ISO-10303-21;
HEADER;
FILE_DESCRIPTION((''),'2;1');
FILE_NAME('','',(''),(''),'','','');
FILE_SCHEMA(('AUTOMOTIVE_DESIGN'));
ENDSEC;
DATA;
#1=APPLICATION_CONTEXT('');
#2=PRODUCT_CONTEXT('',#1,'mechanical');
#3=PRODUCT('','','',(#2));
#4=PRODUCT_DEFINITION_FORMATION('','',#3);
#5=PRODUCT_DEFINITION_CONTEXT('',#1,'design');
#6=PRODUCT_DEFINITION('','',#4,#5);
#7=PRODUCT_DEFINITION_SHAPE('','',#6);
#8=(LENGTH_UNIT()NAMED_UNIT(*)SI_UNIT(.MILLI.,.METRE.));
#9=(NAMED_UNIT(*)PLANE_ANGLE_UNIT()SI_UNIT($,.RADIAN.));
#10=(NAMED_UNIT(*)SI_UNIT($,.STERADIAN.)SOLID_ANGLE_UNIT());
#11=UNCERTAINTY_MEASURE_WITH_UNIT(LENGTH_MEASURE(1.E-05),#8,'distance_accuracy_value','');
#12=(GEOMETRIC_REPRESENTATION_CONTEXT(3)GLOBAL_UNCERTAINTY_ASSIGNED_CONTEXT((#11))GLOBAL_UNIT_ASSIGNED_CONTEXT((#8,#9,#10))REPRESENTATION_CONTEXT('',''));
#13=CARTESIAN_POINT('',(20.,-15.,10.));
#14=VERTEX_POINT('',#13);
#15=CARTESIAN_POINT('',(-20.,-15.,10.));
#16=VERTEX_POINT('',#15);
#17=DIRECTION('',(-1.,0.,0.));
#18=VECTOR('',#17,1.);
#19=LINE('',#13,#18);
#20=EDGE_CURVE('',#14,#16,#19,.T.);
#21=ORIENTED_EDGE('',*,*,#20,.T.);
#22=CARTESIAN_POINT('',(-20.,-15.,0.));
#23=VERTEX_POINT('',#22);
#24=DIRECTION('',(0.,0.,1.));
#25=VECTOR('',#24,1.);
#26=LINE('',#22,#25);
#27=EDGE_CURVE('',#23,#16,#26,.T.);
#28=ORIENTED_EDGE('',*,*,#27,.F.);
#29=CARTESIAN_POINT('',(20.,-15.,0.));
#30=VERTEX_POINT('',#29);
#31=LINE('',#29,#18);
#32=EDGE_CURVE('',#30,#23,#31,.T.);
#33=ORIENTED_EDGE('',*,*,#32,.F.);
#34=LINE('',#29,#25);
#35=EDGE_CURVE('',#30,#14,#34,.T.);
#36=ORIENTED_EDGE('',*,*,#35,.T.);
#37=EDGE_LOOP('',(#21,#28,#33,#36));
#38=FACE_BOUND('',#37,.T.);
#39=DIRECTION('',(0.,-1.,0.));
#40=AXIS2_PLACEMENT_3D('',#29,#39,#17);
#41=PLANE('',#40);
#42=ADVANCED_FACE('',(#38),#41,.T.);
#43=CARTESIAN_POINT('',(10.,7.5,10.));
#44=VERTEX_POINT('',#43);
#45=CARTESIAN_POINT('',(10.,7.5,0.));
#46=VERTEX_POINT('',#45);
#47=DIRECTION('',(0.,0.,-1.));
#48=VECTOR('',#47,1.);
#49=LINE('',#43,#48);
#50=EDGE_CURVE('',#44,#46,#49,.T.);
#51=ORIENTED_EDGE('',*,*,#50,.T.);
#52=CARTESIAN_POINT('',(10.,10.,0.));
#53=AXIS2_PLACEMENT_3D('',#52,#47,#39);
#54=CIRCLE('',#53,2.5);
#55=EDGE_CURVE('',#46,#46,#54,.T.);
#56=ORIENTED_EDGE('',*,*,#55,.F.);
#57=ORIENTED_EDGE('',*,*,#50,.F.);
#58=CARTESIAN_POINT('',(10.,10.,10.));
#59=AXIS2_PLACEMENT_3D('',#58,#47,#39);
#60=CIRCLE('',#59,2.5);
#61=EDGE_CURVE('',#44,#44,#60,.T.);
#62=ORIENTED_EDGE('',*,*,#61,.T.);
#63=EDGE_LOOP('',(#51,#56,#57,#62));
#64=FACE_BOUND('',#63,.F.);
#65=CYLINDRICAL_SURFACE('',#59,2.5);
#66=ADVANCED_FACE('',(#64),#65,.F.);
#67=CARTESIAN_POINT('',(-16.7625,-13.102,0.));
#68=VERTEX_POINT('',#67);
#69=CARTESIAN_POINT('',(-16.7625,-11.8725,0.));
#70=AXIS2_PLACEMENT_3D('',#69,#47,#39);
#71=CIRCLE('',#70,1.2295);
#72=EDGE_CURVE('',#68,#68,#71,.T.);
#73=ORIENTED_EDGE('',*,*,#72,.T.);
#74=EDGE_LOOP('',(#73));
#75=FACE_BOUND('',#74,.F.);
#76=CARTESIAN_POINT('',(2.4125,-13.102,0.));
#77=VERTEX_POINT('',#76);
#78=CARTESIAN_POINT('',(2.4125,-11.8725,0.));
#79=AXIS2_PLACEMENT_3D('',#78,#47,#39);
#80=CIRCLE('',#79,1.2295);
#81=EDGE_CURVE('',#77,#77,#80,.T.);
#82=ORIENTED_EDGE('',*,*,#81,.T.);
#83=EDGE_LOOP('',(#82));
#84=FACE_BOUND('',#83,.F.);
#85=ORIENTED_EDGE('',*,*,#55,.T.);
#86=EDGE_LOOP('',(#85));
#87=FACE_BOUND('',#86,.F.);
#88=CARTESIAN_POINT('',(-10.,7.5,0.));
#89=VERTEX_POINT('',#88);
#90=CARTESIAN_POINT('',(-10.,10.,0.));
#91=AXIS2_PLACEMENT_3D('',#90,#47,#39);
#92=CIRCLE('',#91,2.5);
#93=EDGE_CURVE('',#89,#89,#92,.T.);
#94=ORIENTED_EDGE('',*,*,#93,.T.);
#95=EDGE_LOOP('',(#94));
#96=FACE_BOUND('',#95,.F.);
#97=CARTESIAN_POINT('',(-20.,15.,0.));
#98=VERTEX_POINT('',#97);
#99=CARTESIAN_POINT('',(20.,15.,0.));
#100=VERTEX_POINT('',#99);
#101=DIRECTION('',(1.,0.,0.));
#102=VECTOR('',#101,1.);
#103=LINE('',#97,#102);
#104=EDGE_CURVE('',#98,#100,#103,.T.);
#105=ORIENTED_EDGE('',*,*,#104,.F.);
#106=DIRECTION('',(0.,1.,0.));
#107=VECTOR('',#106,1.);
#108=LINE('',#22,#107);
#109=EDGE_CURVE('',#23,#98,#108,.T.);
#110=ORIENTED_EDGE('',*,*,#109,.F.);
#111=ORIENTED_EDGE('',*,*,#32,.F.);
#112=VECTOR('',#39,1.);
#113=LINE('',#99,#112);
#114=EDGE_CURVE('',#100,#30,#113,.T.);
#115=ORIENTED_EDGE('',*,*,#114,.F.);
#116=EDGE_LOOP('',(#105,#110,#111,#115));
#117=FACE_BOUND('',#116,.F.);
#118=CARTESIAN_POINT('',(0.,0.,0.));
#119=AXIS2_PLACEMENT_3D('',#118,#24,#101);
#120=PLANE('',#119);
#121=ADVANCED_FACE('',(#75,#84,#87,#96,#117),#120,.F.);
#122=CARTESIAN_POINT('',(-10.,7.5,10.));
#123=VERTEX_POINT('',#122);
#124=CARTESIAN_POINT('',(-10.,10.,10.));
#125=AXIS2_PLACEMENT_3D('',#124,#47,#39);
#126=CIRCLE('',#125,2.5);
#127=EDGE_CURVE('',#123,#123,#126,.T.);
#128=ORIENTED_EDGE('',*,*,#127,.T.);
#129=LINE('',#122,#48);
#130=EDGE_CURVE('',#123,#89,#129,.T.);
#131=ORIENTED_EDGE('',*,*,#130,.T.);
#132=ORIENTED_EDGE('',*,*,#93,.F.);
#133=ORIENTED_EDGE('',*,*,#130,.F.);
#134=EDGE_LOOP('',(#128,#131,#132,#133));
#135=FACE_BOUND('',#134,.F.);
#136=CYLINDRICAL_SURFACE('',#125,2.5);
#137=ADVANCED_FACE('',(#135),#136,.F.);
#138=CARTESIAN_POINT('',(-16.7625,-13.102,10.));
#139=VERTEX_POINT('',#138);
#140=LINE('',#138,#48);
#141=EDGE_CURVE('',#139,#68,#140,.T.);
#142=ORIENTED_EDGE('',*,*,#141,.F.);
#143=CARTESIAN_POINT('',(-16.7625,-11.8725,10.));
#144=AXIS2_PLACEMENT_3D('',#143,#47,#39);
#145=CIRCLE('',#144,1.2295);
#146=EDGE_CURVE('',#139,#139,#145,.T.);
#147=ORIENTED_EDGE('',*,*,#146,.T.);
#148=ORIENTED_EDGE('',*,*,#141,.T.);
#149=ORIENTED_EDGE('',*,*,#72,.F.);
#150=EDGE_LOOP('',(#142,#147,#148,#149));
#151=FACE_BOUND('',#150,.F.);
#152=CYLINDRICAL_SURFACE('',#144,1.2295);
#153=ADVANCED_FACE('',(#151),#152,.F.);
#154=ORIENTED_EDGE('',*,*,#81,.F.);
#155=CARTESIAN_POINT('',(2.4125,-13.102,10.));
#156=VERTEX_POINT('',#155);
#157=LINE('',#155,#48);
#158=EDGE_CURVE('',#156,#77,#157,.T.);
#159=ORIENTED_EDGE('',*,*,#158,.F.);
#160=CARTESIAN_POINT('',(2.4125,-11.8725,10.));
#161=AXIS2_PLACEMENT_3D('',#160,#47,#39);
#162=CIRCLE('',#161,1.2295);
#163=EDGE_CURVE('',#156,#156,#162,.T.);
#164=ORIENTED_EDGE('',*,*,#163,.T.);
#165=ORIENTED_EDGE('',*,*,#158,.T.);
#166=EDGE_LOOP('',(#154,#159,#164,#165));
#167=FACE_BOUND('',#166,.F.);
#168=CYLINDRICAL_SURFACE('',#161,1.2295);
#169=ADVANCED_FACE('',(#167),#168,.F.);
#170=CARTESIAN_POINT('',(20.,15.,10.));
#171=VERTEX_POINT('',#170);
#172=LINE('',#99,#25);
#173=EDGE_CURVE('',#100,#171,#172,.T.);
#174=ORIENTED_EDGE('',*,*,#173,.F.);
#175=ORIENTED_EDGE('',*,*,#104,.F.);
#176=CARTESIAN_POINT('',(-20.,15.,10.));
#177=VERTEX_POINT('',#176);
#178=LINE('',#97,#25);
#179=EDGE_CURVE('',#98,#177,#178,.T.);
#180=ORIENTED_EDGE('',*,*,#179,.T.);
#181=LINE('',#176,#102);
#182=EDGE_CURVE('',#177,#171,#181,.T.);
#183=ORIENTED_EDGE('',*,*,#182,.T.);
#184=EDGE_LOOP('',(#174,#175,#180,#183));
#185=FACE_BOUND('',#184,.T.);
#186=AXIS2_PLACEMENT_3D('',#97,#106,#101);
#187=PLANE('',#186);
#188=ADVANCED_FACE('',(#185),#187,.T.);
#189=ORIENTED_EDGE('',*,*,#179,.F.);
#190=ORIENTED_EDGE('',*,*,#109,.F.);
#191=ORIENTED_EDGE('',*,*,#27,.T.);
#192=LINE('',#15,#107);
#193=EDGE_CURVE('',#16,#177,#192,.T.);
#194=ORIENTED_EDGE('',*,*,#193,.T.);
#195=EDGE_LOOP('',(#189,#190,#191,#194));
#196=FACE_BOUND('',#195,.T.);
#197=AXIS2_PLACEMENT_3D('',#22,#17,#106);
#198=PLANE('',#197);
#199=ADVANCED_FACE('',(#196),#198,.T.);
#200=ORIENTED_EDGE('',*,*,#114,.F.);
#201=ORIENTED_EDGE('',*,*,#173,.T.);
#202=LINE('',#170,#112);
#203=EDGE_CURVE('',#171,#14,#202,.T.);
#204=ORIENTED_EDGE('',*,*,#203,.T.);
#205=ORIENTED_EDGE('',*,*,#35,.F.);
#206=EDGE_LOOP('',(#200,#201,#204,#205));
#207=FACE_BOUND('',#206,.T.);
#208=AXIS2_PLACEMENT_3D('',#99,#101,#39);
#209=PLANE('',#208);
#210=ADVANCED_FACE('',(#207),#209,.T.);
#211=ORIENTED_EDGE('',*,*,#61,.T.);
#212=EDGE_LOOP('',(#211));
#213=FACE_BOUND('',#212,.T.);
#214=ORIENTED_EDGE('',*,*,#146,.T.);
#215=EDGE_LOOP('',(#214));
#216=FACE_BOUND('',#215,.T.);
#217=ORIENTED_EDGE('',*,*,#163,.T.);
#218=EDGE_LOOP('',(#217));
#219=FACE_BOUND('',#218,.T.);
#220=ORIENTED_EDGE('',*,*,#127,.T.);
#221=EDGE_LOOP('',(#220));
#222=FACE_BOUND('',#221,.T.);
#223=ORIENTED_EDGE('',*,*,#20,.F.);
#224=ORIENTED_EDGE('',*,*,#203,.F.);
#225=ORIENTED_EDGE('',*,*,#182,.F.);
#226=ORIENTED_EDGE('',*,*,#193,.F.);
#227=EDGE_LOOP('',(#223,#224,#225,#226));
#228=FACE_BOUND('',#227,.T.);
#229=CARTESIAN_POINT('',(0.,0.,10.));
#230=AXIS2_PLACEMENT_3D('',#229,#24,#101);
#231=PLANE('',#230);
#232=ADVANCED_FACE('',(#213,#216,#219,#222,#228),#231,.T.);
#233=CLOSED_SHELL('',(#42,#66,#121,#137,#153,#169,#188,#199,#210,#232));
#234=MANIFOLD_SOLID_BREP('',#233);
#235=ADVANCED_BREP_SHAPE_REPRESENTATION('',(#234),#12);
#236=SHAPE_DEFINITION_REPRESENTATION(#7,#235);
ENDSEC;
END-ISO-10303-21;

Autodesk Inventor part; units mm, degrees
ref_plane "YZ Plane" through (0, 0, 0) normal (1, 0, 0) x (0, 1, 0)
ref_plane "XZ Plane" through (0, 0, 0) normal (0, 1, 0) x (-1, 0, 0)
ref_plane "XY Plane" through (0, 0, 0) normal (0, 0, 1) x (1, 0, 0)
sketch "Sketch1" plane through (0, 0, 0) normal (0, 0, 1) x (1, 0, 0)
  line L0 (-20, 15) -> (20, 15)
  line L1 (20, 15) -> (20, -15)
  line L2 (20, -15) -> (-20, -15)
  line L3 (-20, -15) -> (-20, 15)
  point P0 (0, 0)
  point P1 (0, 15)
  point P2 (-20, 0)
  dimension "d0" = 40
  dimension "d1" = 30
extrude "Extrusion1" add sketch "Sketch1" along normal blind 10
sketch "Sketch2" plane through (0, 0, 10) normal (0, 0, 1) x (1, 0, 0)
  line L0 (20, 15) -> (-20, 15) projected
  line L1 (20, -15) -> (20, 15) projected
  line L2 (-20, 15) -> (-20, -15) projected
  point P0 (0, 0)
  point P1 (10, 10)
  point P2 (-10, 10)
  dimension "d4" = 5
  dimension "d5" = 10
  dimension "d6" = 10
hole "Hole1" at (10, 10, 10) at (-10, 10, 10) direction (0, 0, -1) diameter 5 end through all
sketch "Sketch3" plane through (0, 0, 10) normal (0, 0, 1) x (1, 0, 0)
  circle A0 centre (2.4125, -11.8725) radius 1.7875 projected
  circle A1 centre (-16.7625, -11.8725) radius 1.7875 projected
  point P0 (0, 0)
hole "Hole2" at (2.4125, -11.8725, 10) at (-16.7625, -11.8725, 10) direction (0, 0, -1) diameter 2.459 end through all thread size "M3x0.5" class "6H" standard "ISO Metric profile"
properties part number "0008-10-056"
